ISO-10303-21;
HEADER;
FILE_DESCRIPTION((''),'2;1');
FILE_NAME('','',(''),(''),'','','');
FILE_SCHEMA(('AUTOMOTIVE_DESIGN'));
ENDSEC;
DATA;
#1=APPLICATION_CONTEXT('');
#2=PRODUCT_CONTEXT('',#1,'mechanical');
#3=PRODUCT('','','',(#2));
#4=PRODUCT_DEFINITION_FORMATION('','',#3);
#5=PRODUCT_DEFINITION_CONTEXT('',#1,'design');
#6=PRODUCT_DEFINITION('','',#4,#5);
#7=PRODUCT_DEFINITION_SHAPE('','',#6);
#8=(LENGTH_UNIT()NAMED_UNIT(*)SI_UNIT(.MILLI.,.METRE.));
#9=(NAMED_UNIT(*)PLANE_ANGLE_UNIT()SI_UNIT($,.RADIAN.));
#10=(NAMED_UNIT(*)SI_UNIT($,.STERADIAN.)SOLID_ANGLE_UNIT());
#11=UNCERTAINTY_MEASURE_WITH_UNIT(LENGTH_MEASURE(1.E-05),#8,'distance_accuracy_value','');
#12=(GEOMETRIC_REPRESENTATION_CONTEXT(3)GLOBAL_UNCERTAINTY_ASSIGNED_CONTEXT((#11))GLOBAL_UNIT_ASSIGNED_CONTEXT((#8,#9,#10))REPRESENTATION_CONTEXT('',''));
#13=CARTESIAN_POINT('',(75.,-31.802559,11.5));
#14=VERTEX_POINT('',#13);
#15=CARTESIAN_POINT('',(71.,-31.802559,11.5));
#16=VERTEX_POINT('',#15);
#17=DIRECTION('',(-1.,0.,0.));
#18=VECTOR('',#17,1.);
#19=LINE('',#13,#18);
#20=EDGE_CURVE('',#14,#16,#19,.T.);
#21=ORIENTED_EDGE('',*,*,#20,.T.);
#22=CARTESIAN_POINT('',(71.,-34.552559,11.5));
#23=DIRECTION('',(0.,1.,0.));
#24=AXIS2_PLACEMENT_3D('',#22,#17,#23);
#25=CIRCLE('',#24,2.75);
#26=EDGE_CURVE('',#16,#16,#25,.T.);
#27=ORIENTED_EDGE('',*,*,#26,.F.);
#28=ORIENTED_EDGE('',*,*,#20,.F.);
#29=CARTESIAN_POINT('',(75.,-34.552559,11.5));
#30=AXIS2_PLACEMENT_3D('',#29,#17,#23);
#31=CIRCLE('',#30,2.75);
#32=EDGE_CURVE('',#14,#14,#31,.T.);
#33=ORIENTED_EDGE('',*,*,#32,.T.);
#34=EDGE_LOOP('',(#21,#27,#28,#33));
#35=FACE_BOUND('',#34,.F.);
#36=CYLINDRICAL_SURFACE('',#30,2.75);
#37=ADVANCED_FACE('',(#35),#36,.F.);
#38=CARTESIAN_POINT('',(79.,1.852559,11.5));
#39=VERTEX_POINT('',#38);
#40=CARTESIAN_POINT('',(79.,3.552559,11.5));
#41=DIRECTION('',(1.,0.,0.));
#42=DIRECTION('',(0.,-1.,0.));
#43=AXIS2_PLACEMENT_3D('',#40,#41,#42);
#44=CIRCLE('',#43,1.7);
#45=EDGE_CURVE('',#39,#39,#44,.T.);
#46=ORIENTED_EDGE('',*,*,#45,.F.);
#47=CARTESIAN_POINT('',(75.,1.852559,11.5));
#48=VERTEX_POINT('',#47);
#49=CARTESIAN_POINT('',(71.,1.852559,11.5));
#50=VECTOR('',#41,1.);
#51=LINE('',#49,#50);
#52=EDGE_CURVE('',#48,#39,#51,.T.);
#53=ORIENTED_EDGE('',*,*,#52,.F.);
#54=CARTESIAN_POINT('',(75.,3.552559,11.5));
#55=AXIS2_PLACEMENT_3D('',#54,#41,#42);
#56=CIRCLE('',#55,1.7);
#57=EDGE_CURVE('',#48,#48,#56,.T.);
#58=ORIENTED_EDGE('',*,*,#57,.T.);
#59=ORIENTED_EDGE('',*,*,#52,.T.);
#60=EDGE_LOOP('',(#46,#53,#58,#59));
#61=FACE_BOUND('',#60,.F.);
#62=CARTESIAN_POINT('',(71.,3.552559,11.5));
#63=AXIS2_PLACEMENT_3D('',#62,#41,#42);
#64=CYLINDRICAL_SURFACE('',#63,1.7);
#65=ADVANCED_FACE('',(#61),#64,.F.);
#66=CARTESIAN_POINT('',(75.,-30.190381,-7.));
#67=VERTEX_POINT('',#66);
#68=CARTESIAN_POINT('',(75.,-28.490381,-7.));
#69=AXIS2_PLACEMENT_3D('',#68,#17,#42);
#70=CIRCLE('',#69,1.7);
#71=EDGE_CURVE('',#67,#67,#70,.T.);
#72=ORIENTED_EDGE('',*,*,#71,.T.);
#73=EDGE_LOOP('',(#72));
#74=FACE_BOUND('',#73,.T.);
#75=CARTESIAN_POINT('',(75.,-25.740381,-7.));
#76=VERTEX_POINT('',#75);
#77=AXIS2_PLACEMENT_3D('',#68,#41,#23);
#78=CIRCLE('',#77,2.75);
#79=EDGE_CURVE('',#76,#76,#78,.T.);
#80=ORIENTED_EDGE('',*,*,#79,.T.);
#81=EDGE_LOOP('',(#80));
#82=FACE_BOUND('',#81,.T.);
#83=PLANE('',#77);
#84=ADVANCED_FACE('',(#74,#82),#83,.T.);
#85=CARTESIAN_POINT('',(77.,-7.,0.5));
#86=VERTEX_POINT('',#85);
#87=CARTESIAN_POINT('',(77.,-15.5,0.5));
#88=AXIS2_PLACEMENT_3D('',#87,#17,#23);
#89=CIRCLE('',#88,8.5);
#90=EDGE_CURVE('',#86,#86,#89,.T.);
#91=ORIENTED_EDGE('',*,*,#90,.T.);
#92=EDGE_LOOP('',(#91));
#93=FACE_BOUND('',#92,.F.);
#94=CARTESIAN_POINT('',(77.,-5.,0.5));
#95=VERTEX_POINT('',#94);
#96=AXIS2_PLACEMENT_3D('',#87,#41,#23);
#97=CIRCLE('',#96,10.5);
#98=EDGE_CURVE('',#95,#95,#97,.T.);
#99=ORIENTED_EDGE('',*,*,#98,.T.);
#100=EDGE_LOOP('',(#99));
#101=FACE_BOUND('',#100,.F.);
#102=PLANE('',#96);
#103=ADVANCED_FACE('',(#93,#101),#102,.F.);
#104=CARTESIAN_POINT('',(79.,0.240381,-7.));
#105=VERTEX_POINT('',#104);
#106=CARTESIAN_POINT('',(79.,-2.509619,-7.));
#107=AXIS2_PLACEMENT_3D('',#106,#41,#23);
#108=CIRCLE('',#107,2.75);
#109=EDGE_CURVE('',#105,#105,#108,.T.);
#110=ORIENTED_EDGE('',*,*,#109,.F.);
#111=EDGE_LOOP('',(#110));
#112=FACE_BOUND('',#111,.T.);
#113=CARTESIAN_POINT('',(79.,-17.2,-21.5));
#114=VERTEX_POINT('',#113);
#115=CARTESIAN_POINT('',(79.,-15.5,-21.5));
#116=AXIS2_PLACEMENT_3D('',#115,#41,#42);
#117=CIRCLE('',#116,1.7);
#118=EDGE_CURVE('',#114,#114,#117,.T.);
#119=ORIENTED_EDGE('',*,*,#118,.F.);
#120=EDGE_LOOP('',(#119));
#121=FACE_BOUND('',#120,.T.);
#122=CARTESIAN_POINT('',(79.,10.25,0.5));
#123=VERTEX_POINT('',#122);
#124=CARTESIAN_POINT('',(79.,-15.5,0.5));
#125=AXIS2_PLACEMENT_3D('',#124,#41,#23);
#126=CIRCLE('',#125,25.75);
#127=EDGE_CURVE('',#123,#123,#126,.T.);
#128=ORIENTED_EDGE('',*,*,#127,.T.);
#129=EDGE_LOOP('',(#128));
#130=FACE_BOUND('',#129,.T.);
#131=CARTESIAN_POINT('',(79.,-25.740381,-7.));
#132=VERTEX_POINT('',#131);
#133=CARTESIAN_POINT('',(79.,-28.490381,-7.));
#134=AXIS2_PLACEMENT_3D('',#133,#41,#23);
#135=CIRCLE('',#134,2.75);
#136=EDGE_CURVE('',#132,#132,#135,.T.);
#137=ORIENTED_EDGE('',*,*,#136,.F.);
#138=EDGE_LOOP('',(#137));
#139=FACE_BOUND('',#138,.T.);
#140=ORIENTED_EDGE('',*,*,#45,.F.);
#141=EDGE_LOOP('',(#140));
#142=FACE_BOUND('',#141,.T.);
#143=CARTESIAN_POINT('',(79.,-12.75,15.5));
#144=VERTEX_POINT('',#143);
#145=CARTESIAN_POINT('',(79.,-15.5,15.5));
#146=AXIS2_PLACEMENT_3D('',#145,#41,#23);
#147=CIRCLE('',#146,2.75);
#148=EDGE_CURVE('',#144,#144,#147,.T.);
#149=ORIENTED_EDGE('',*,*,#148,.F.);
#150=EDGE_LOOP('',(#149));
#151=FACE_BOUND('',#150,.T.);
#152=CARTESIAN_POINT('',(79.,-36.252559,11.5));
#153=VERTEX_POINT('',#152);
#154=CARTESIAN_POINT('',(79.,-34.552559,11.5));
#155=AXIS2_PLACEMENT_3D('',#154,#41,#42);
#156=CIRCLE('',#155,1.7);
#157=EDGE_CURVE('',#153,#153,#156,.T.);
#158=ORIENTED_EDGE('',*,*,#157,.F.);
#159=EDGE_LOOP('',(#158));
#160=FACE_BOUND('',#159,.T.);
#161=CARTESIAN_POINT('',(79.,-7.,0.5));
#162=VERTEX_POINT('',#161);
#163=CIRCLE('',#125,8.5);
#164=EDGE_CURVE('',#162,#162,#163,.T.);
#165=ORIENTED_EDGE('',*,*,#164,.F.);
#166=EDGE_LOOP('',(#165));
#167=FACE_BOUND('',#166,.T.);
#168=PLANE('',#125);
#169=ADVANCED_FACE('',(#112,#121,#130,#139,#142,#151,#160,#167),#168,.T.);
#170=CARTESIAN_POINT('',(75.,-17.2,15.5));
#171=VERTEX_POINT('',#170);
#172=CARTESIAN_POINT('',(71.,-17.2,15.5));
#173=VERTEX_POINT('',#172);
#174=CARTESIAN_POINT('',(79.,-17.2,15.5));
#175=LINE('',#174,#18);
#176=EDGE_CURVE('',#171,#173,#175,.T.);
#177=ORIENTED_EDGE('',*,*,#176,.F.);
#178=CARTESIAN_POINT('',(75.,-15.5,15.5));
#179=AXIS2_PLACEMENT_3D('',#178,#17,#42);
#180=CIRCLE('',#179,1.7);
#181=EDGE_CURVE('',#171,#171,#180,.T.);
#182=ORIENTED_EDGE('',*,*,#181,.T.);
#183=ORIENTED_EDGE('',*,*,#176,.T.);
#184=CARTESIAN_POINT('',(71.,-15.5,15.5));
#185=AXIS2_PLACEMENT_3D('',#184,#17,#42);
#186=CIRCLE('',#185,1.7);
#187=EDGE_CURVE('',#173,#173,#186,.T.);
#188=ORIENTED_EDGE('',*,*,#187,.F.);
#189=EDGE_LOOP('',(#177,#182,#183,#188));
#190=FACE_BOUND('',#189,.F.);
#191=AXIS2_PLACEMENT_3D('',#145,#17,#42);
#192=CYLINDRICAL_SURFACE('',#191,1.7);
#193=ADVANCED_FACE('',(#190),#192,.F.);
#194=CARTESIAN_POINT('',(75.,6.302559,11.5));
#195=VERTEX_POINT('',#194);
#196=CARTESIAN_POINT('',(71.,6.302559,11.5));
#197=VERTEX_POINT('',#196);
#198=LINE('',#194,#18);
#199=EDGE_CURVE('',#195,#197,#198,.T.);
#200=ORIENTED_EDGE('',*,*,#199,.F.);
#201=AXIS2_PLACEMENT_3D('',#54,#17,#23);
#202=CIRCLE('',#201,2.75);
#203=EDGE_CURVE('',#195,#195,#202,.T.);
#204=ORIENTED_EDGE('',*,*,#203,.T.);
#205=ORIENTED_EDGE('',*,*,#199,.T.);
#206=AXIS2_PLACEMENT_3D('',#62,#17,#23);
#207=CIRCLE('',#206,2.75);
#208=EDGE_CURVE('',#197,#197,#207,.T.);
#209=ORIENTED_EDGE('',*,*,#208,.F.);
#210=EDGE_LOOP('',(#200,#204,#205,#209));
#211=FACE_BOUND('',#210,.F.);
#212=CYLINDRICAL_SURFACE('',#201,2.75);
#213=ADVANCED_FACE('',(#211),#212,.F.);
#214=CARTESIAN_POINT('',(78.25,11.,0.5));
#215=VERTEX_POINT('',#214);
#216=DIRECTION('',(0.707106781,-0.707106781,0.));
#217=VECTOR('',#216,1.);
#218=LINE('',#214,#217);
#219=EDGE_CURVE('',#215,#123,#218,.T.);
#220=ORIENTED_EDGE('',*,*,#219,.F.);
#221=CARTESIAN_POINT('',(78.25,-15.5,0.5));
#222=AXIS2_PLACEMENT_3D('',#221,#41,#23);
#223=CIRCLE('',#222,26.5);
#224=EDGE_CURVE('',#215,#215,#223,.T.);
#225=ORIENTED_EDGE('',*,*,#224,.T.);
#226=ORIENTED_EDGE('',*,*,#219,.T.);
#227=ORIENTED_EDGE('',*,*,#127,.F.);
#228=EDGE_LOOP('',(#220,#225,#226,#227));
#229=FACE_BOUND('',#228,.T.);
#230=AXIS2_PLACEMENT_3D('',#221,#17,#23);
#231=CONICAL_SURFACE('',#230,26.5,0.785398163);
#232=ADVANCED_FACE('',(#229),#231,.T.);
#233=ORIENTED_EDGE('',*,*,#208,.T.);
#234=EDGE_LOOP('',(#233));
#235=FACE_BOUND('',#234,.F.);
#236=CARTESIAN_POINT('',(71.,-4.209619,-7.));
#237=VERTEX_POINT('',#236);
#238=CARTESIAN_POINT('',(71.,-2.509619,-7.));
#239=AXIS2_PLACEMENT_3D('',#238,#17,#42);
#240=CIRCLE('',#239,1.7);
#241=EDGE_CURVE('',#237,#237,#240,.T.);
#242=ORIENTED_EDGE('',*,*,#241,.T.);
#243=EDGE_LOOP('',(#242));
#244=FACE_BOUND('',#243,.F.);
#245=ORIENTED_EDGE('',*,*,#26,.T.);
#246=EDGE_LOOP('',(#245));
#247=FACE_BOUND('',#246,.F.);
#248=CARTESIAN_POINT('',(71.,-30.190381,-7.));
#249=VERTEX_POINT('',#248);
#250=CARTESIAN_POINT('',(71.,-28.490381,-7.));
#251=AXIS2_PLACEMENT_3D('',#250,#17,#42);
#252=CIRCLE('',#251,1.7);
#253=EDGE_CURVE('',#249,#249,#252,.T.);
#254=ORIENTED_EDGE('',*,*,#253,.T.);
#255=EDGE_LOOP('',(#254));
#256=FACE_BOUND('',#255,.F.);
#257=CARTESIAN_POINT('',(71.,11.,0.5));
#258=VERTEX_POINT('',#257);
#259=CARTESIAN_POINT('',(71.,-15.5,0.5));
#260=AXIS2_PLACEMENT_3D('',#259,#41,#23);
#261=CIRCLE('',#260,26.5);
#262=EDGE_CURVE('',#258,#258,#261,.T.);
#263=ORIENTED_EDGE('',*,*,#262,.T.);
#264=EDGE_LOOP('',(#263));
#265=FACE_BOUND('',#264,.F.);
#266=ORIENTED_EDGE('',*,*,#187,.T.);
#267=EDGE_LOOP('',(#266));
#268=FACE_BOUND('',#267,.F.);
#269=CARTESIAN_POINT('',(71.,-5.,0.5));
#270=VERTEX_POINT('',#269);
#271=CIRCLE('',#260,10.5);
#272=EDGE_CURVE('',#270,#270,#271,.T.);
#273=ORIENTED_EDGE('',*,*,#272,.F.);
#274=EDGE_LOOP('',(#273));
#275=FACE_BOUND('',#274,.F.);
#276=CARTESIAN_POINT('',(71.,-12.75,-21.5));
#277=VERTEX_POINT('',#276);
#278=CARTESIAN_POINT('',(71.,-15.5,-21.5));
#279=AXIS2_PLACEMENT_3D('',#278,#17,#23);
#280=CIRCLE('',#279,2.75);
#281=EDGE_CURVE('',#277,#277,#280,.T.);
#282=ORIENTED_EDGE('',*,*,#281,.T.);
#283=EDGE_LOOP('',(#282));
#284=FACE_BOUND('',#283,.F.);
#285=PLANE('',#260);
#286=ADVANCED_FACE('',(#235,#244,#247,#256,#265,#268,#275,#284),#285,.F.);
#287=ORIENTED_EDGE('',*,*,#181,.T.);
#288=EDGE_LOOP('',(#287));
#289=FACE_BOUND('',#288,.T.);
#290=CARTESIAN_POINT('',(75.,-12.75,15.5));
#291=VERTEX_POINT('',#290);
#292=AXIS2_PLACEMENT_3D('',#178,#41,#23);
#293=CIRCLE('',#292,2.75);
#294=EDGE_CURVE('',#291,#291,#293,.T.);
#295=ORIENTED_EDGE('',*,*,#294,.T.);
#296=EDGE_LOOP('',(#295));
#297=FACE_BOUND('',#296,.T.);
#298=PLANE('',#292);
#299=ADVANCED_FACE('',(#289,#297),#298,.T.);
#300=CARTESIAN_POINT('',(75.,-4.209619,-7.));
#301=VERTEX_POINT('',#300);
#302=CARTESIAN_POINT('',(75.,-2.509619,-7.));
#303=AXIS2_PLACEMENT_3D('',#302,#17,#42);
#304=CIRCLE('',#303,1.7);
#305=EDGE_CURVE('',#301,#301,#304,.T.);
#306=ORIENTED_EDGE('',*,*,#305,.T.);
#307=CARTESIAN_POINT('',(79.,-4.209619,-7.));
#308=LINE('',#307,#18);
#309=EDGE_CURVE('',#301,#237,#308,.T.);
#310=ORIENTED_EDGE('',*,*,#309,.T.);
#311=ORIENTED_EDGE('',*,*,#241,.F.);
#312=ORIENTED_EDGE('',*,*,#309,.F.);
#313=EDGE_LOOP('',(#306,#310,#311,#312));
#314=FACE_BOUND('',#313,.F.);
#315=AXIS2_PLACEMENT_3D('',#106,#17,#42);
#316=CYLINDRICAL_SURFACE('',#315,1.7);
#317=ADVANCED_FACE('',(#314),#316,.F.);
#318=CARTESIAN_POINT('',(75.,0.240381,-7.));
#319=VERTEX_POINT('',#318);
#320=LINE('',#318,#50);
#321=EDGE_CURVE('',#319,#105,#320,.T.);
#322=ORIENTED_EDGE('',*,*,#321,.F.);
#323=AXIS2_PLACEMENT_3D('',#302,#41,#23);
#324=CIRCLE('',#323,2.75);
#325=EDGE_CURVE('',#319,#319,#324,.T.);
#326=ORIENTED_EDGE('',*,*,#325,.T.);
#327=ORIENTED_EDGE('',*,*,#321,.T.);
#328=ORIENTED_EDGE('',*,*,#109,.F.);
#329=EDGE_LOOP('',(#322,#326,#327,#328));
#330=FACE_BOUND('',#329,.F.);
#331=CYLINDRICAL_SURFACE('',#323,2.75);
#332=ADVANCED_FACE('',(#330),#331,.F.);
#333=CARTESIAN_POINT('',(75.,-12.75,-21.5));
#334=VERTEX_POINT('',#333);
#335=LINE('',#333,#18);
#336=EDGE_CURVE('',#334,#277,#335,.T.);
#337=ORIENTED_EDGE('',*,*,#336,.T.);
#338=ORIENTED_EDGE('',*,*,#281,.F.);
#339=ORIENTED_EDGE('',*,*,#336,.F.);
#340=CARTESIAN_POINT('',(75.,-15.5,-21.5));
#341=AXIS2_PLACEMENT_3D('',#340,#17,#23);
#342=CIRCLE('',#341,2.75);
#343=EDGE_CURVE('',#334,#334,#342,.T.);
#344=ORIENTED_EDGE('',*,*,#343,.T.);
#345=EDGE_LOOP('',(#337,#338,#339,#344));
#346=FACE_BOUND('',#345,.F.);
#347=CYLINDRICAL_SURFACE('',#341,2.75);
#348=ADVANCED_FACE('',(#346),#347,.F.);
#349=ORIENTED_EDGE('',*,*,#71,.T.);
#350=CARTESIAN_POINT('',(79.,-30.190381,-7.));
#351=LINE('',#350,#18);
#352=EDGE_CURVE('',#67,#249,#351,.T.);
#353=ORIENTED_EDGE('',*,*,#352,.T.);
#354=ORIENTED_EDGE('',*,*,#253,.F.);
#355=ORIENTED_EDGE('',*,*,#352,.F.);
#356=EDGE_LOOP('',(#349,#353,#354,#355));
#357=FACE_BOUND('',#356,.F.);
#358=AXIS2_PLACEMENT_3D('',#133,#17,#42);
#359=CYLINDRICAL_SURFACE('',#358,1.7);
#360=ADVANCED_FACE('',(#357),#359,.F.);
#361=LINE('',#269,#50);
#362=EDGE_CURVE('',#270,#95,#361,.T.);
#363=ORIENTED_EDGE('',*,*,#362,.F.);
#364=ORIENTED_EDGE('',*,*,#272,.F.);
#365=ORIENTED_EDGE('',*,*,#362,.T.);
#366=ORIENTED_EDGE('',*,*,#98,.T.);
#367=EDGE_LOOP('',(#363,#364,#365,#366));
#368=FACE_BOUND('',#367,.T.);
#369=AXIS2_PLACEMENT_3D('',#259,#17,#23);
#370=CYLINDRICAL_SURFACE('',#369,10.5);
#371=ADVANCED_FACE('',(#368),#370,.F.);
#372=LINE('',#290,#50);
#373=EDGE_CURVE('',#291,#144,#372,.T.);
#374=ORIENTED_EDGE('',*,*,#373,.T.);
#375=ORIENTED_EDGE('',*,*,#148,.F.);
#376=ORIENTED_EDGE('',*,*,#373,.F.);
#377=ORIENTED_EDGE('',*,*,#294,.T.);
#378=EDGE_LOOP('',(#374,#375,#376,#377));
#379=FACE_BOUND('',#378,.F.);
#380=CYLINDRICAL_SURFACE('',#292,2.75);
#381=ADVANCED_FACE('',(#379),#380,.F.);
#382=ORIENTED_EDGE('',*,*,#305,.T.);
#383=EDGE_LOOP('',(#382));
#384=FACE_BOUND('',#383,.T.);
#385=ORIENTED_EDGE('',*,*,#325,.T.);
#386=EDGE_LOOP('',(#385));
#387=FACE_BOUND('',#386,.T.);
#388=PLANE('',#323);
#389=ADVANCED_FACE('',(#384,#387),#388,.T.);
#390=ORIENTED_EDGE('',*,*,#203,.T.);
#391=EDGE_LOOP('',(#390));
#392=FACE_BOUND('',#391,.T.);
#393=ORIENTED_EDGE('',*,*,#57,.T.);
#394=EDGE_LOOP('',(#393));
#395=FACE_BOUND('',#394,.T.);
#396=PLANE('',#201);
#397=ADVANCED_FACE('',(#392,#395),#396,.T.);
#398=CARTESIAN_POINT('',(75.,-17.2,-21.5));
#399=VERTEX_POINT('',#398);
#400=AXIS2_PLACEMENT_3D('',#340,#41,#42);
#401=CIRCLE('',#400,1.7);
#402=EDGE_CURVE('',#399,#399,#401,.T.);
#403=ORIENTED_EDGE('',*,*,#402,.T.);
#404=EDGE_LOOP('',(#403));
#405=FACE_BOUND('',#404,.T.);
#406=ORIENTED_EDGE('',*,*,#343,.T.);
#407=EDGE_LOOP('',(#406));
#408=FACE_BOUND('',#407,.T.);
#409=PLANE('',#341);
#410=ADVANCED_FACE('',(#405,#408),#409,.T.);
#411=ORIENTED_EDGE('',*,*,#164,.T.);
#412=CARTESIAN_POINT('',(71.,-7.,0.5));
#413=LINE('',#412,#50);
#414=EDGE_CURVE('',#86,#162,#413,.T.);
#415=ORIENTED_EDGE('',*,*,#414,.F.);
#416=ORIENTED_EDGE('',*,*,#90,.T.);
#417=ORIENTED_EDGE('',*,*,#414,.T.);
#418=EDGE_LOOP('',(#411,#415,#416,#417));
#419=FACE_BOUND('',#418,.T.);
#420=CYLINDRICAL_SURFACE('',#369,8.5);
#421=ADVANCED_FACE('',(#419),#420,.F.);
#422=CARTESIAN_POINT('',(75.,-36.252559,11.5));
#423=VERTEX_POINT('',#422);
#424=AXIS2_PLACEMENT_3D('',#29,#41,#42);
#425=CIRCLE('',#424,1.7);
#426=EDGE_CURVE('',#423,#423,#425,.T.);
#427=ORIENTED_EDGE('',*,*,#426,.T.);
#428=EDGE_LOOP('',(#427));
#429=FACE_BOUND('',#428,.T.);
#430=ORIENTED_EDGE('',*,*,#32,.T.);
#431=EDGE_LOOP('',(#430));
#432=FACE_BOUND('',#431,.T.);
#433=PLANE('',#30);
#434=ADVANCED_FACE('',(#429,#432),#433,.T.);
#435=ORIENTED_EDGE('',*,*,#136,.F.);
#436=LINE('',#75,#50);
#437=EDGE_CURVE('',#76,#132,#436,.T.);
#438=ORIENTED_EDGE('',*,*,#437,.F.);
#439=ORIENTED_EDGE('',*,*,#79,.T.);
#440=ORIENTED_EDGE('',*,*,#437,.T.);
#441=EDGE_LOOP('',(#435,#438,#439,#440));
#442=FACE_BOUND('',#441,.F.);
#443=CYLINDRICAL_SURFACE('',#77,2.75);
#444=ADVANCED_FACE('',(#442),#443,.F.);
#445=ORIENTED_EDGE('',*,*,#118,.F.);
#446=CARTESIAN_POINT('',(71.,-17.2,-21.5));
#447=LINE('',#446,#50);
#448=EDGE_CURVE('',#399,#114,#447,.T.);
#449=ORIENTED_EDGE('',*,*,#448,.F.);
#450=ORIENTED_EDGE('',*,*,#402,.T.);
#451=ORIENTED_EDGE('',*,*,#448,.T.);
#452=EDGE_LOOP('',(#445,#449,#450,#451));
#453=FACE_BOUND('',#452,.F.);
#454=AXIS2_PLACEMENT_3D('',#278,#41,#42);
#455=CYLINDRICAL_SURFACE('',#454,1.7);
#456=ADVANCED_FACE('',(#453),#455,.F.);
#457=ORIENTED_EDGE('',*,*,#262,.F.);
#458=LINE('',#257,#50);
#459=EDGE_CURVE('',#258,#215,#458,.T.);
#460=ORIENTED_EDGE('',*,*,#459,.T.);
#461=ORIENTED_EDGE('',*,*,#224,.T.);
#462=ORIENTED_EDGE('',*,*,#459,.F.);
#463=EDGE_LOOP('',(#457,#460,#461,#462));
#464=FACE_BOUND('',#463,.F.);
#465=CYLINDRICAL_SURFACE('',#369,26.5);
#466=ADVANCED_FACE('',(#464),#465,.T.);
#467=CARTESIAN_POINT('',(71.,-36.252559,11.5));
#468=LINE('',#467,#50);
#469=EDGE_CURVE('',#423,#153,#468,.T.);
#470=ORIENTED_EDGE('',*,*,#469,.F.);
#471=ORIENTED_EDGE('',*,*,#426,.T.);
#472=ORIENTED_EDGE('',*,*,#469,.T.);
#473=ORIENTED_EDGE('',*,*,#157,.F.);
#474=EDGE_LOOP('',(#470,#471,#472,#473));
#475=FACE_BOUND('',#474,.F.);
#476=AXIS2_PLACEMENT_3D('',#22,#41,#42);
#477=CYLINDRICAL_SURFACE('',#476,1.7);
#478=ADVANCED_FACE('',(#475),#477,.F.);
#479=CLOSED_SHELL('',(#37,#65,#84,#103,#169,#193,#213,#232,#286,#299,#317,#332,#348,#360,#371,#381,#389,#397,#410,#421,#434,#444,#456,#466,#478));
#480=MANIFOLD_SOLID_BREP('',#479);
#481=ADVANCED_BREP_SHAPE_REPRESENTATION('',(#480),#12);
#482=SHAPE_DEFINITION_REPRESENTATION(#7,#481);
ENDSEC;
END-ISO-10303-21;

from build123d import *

# Parameters (mm, degrees)
SKETCH046_R         = 26.5
SKETCH046_R_2       = 8.5
SKETCH046_R_3       = 1.65
PAD029_DEPTH        = 8
SKETCH048_R         = 10.5
POCKET014_DEPTH     = 6
HOLE003_D           = 3.4
HOLE003_CBORE_D     = 5.5
HOLE003_CBORE_DEPTH = 4
HOLE004_D           = 3.4
HOLE004_CBORE_D     = 5.5
HOLE004_CBORE_DEPTH = 4
CHAMFER016_SIZE     = 0.75


with BuildPart() as part:
    # Sketch046 → Pad029 (new body)
    with BuildSketch(Plane.YZ.offset(69)):
        with Locations((-10, -6)):
            Circle(SKETCH046_R)
        with Locations((-10, -6)):
            Circle(SKETCH046_R_2, mode=Mode.SUBTRACT)
        with Locations((-10, 9)):
            Circle(SKETCH046_R_3, mode=Mode.SUBTRACT)
        with Locations((2.990381, -13.5)):
            Circle(SKETCH046_R_3, mode=Mode.SUBTRACT)
        with Locations((-22.990381, -13.5)):
            Circle(SKETCH046_R_3, mode=Mode.SUBTRACT)
    extrude(amount=PAD029_DEPTH)

    # Sketch048 → Pocket014 (cut)
    with BuildSketch(Plane.YZ.offset(69)):
        with Locations((-10, -6)):
            Circle(SKETCH048_R)
    extrude(amount=POCKET014_DEPTH, mode=Mode.SUBTRACT)

    # Hole003 (through all)
    with Locations(Plane(origin=(69, 0, 0), x_dir=(0, 1, 0), z_dir=(-1, 0, 0))):
        with Locations((-29.052559, -5), (9.052559, -5), (-10, 28)):
            CounterBoreHole(HOLE003_D / 2, HOLE003_CBORE_D / 2, HOLE003_CBORE_DEPTH)

    # Hole004 (through all)
    with Locations(Plane.YZ.offset(77)):
        with Locations((-22.990381, -13.5), (-10, 9), (2.990381, -13.5)):
            CounterBoreHole(HOLE004_D / 2, HOLE004_CBORE_D / 2, HOLE004_CBORE_DEPTH)

    # Chamfer016
    chamfer016_edges = [part.edges().sort_by_distance(p)[0] for p in [
        (77, -36.5, -6),
    ]]
    chamfer(chamfer016_edges, length=CHAMFER016_SIZE)


with BuildPart() as part_1:
    # Body011 placement: moved
    add(part.part.moved(Location((2, -5.5, 6.5))))


solid = part_1.part
